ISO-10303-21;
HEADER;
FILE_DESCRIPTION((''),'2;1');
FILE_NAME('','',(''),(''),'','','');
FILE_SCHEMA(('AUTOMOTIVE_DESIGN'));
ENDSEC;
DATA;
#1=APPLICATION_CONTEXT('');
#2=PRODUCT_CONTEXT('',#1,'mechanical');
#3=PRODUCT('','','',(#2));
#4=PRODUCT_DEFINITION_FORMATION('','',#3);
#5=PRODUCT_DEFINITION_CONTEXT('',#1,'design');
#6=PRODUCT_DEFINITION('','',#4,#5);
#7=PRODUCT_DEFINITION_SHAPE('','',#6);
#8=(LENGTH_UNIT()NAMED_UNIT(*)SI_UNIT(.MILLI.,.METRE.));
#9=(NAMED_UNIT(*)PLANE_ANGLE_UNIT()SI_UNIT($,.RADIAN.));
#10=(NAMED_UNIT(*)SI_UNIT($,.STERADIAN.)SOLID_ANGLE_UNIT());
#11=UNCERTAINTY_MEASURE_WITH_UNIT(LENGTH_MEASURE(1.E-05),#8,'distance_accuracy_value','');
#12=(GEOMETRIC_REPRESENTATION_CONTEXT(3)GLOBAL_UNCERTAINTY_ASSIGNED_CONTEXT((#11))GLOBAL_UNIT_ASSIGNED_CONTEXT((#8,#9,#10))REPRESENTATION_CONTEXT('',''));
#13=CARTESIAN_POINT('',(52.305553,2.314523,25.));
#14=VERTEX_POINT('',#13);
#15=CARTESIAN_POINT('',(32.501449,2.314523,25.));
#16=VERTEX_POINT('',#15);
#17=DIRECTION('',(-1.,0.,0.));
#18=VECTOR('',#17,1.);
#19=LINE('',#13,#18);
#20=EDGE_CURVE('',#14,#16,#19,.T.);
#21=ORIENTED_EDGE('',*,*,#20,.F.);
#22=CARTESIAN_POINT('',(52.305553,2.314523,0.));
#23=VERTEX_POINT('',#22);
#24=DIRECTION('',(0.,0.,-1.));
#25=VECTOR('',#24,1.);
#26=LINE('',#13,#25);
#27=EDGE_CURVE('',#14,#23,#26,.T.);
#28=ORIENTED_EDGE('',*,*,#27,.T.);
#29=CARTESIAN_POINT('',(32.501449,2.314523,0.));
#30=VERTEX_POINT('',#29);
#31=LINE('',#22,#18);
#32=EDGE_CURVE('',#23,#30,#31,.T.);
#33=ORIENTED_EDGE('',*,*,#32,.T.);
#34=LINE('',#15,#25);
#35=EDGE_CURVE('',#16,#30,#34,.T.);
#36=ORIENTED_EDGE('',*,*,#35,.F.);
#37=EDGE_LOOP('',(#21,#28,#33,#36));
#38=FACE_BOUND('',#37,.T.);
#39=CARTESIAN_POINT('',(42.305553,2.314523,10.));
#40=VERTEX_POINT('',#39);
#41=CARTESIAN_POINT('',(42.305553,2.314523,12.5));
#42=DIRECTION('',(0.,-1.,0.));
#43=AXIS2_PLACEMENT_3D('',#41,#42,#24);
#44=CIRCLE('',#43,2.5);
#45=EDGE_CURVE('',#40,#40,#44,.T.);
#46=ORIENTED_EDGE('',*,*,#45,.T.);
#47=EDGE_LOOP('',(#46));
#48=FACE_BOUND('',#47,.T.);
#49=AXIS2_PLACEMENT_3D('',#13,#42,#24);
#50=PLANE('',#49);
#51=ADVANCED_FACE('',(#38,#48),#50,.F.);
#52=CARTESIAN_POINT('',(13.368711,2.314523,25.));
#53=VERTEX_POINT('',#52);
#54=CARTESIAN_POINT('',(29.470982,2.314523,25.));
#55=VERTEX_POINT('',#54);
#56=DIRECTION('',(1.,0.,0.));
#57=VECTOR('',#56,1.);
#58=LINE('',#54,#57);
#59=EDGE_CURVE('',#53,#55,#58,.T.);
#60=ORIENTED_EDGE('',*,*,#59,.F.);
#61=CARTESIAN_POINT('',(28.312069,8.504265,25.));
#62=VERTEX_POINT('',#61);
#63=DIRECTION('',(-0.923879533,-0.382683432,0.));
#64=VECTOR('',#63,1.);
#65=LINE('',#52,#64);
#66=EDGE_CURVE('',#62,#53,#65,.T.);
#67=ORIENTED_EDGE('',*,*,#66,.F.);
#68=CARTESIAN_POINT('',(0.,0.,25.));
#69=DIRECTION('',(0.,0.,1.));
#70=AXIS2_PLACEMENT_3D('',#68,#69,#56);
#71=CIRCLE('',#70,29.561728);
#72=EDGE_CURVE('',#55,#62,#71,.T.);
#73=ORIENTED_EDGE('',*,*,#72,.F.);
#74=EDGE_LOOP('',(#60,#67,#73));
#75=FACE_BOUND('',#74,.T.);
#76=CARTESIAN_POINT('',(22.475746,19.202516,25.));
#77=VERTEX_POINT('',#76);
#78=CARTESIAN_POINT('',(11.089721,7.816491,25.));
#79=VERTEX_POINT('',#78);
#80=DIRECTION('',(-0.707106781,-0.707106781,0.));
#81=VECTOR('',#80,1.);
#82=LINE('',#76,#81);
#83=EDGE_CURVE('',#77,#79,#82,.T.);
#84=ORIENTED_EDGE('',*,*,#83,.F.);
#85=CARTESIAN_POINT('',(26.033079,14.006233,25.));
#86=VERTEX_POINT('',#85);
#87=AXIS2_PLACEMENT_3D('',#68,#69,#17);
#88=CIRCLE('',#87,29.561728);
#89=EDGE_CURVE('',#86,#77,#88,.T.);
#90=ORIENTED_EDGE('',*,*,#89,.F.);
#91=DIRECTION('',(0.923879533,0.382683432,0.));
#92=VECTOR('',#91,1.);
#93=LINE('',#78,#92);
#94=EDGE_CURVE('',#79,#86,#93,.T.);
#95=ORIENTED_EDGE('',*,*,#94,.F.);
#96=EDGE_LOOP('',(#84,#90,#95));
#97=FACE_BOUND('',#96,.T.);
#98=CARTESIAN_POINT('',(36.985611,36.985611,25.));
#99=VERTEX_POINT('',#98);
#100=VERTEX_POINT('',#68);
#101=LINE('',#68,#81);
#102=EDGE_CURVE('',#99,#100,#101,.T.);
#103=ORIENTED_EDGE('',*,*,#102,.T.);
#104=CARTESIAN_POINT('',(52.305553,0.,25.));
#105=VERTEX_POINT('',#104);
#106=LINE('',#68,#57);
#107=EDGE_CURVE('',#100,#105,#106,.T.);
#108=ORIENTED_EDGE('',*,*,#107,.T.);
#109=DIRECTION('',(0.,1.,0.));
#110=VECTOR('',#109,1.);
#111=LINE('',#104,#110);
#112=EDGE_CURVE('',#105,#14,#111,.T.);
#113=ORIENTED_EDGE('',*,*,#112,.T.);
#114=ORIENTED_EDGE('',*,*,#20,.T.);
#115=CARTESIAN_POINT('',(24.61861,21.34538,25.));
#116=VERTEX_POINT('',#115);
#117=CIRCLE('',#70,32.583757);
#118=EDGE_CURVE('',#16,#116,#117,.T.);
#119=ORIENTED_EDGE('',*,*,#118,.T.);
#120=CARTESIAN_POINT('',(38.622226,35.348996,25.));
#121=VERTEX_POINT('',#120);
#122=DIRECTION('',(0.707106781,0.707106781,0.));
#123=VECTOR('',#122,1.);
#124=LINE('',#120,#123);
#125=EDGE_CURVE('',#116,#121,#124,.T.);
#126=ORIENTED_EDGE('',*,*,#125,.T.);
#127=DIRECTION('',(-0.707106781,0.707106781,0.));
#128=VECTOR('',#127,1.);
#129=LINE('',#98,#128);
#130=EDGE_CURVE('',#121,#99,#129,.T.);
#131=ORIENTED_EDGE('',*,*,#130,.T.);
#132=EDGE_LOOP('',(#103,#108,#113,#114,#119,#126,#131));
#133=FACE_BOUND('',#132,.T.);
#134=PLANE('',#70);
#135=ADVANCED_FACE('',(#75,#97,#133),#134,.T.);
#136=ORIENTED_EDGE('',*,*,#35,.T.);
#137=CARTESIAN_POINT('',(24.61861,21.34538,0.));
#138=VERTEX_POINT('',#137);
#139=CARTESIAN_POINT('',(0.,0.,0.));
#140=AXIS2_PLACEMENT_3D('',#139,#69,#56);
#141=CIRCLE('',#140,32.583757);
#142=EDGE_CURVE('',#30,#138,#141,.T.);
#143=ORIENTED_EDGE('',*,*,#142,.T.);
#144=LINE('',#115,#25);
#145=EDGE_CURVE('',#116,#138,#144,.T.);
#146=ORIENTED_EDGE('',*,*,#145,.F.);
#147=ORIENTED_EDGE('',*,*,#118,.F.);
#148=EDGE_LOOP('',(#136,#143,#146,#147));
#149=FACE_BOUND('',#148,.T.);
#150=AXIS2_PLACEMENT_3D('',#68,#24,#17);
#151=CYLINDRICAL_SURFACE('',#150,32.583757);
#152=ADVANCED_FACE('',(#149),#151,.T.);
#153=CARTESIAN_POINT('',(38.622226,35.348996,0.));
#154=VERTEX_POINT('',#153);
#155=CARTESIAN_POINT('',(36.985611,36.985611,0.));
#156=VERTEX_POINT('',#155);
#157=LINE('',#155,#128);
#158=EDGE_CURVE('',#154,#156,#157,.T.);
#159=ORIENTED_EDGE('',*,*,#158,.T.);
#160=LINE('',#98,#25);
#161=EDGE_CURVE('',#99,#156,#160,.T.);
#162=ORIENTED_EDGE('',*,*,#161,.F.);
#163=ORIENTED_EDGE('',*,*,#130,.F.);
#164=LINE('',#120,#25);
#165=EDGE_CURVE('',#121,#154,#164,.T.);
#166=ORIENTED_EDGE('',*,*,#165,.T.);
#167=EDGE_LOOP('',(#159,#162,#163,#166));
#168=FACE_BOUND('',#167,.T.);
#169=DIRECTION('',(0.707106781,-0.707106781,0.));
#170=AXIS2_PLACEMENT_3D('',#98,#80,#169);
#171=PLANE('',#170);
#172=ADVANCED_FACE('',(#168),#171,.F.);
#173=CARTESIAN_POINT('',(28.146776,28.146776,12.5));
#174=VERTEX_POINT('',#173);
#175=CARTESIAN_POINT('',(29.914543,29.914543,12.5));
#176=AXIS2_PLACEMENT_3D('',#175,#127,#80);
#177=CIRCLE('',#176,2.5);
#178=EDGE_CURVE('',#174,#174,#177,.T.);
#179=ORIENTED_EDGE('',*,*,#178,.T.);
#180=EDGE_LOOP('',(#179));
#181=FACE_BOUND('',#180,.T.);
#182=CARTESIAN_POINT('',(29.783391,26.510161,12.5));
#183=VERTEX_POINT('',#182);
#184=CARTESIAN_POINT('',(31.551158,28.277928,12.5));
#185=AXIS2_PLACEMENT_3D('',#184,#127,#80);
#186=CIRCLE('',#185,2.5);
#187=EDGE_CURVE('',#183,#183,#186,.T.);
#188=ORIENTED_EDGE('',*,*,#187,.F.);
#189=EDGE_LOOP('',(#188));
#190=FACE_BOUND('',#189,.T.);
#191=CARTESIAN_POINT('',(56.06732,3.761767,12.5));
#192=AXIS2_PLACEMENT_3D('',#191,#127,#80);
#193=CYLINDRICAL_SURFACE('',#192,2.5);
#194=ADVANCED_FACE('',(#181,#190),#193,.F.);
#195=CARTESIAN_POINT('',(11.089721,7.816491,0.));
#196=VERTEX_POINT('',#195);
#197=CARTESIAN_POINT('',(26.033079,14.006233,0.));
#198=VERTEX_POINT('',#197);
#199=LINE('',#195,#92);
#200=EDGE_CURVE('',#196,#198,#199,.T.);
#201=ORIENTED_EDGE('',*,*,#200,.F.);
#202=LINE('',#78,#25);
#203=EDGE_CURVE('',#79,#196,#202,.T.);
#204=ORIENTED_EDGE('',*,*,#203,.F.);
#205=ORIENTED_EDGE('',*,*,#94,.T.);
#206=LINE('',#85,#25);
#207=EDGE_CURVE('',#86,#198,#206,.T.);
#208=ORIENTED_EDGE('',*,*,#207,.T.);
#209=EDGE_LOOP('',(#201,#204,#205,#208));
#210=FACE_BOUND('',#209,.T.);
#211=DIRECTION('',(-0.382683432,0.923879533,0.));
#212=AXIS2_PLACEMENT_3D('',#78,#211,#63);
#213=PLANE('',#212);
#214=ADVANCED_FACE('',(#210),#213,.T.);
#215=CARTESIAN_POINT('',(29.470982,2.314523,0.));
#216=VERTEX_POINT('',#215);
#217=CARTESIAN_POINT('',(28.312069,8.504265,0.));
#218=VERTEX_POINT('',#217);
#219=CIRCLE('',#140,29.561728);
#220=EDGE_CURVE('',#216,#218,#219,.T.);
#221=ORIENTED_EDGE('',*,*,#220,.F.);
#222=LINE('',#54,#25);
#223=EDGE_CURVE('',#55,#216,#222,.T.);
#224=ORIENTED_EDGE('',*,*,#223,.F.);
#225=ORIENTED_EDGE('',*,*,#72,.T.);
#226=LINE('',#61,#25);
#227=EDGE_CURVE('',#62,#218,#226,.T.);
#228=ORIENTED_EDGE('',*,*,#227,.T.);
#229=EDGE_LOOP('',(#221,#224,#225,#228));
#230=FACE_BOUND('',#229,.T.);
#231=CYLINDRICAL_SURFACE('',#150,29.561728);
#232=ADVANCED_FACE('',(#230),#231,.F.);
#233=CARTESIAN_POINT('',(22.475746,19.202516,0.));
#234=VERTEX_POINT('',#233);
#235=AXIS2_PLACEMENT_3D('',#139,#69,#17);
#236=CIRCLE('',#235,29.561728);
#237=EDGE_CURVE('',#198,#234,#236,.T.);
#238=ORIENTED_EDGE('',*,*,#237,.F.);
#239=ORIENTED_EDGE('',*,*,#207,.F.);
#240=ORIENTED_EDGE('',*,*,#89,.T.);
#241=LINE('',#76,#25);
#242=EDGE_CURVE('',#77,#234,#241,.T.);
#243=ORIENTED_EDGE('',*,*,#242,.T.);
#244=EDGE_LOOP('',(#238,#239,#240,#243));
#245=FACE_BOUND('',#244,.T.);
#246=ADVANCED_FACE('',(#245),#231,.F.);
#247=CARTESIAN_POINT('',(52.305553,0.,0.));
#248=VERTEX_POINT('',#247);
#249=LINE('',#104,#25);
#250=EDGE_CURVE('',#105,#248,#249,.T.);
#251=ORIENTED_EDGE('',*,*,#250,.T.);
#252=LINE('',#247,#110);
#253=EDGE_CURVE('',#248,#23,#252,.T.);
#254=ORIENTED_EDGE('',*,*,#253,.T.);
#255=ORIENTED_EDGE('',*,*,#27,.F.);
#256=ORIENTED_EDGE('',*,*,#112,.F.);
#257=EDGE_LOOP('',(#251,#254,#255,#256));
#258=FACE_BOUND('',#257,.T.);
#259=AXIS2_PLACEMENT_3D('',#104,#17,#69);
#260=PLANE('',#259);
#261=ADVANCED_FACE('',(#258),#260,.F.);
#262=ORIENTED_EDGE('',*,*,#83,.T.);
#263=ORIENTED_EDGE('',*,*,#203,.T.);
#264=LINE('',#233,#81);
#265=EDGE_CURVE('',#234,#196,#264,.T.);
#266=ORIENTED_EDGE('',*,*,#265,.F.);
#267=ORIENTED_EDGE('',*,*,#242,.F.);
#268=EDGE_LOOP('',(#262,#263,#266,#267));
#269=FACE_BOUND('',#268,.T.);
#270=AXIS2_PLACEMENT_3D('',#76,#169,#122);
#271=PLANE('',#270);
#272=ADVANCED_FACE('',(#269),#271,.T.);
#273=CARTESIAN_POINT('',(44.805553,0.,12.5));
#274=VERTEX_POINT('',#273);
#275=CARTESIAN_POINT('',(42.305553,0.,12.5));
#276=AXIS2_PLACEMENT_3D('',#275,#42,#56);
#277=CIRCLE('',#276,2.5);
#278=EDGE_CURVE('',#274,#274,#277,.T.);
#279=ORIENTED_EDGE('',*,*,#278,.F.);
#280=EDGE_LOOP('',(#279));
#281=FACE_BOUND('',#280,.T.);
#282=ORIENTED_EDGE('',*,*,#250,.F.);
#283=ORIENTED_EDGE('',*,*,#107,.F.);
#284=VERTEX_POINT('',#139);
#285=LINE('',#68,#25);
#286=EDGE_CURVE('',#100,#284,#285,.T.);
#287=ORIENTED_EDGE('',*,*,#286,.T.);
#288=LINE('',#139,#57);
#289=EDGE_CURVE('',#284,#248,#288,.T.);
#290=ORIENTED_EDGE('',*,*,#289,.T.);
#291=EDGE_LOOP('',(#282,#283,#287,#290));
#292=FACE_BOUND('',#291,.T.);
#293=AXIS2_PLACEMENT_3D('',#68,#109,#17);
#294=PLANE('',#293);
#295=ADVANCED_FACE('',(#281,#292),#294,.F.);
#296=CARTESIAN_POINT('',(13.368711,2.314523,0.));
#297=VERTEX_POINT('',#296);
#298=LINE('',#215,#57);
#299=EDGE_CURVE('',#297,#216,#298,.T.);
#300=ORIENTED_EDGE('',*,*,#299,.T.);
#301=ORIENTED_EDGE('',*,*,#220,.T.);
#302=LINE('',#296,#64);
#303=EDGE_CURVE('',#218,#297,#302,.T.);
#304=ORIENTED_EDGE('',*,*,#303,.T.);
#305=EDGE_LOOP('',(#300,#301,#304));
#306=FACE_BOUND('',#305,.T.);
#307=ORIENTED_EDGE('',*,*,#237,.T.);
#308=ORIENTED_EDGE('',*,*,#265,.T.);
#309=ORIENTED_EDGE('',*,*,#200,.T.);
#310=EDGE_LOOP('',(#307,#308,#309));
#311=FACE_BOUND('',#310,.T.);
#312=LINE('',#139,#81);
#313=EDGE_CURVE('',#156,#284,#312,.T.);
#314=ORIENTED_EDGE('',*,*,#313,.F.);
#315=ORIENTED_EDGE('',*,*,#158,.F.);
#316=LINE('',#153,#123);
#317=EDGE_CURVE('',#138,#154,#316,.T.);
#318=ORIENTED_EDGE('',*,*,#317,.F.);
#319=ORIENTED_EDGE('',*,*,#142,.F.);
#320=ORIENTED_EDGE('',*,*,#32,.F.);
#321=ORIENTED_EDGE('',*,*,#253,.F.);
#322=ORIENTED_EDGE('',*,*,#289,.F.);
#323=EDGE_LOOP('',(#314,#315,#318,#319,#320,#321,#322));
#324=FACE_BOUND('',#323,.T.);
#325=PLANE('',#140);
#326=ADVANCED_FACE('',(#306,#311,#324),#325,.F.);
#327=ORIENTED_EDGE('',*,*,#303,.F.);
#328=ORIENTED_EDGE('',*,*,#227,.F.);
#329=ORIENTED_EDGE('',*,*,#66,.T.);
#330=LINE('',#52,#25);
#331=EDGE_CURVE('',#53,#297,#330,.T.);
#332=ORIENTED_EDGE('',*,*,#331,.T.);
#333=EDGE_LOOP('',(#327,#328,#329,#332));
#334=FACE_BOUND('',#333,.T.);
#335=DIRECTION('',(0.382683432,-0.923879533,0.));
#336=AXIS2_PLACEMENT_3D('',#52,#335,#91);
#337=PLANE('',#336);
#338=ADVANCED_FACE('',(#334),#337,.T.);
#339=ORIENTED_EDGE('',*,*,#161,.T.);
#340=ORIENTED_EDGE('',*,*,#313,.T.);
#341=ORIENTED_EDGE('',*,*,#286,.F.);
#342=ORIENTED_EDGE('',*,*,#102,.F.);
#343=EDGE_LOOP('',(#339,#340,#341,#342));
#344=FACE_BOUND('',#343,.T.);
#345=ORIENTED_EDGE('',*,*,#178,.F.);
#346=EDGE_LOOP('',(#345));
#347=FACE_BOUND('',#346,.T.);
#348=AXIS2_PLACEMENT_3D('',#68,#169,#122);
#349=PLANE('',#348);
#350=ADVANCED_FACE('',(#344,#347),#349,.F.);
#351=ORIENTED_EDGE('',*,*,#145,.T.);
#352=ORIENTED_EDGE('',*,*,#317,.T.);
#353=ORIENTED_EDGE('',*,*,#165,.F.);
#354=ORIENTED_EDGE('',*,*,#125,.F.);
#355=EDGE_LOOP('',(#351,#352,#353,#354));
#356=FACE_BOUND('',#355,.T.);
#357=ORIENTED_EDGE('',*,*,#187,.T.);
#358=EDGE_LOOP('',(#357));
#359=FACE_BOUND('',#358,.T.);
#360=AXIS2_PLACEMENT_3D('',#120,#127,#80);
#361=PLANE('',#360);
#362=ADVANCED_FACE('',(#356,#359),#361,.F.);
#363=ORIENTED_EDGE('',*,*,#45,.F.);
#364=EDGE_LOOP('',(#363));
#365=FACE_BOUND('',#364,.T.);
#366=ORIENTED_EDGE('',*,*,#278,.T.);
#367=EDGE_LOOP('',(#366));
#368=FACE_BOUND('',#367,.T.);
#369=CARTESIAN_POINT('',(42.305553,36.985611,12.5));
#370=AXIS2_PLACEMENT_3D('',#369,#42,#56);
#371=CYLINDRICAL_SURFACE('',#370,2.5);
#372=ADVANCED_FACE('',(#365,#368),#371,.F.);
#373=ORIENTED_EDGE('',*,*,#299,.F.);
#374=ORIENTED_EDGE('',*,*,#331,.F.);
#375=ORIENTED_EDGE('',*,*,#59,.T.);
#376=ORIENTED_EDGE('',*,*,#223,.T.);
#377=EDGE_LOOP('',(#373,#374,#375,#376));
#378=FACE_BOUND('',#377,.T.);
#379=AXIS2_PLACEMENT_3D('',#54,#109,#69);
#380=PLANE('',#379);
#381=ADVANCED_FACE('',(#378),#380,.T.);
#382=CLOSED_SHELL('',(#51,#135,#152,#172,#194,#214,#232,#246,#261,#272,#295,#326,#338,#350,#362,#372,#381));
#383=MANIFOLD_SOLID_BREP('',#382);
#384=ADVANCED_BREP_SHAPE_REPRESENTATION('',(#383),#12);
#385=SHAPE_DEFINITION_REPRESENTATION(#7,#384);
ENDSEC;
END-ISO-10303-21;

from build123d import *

# Parameters (mm, degrees)
EXTRUDE_1_DEPTH     = 25
SKETCH_4_R          = 2.5
CUT_EXTRUDE_1_DEPTH = 69.766316506
SKETCH_5_R          = 2.5
CUT_EXTRUDE_2_DEPTH = 69.766316506


with BuildPart() as part:
    # 草圖1 → 填料-伸長1 (new body)
    with BuildSketch(Plane.XY):
        with BuildLine():
            Line((0, 0), (52.305552833, 0))
            Line((52.305552833, 0), (52.305552833, 2.314523209))
            Line((52.305552833, 2.314523209), (32.501449094, 2.314523209))
            ThreePointArc((32.501449094, 2.314523209), (30.103466052, 12.469263913), (24.618610108, 21.345379996))
            Line((24.618610108, 21.345379996), (38.622226158, 35.348996046))
            Line((38.622226158, 35.348996046), (36.985611102, 36.985611102))
            Line((36.985611102, 36.985611102), (0, 0))
        make_face()
        with BuildLine():
            Line((29.470981811, 2.314523209), (13.368711302, 2.314523209))
            Line((13.368711302, 2.314523209), (28.312069292, 8.504264755))
            ThreePointArc((28.312069292, 8.504264755), (29.056814584, 5.44034124), (29.470981811, 2.314523209))
        make_face(mode=Mode.SUBTRACT)
        with BuildLine():
            Line((11.089721473, 7.816491361), (26.033079463, 14.006232908))
            ThreePointArc((26.033079463, 14.006232908), (24.393172815, 16.69936845), (22.475746143, 19.202516031))
            Line((22.475746143, 19.202516031), (11.089721473, 7.816491361))
        make_face(mode=Mode.SUBTRACT)
    extrude(amount=EXTRUDE_1_DEPTH)

    # 草圖4 → 除料-伸長1 (cut, through all)
    with BuildSketch(Plane.XZ):
        with Locations((42.305552833, 12.5)):
            Circle(SKETCH_4_R)
    extrude(amount=-CUT_EXTRUDE_1_DEPTH, mode=Mode.SUBTRACT)

    # 草圖5 → 除料-伸長2 (cut, through all)
    with BuildSketch(Plane(origin=(0, 0, 0), x_dir=(0, 0, 1), z_dir=(-0.7071067811865479, 0.7071067811865472, 0))):
        with Locations(Location((12.5, 42.305552833, 0), (0, 0, 270))):
            Circle(SKETCH_5_R)
    extrude(amount=-CUT_EXTRUDE_2_DEPTH, mode=Mode.SUBTRACT)


solid = part.part
